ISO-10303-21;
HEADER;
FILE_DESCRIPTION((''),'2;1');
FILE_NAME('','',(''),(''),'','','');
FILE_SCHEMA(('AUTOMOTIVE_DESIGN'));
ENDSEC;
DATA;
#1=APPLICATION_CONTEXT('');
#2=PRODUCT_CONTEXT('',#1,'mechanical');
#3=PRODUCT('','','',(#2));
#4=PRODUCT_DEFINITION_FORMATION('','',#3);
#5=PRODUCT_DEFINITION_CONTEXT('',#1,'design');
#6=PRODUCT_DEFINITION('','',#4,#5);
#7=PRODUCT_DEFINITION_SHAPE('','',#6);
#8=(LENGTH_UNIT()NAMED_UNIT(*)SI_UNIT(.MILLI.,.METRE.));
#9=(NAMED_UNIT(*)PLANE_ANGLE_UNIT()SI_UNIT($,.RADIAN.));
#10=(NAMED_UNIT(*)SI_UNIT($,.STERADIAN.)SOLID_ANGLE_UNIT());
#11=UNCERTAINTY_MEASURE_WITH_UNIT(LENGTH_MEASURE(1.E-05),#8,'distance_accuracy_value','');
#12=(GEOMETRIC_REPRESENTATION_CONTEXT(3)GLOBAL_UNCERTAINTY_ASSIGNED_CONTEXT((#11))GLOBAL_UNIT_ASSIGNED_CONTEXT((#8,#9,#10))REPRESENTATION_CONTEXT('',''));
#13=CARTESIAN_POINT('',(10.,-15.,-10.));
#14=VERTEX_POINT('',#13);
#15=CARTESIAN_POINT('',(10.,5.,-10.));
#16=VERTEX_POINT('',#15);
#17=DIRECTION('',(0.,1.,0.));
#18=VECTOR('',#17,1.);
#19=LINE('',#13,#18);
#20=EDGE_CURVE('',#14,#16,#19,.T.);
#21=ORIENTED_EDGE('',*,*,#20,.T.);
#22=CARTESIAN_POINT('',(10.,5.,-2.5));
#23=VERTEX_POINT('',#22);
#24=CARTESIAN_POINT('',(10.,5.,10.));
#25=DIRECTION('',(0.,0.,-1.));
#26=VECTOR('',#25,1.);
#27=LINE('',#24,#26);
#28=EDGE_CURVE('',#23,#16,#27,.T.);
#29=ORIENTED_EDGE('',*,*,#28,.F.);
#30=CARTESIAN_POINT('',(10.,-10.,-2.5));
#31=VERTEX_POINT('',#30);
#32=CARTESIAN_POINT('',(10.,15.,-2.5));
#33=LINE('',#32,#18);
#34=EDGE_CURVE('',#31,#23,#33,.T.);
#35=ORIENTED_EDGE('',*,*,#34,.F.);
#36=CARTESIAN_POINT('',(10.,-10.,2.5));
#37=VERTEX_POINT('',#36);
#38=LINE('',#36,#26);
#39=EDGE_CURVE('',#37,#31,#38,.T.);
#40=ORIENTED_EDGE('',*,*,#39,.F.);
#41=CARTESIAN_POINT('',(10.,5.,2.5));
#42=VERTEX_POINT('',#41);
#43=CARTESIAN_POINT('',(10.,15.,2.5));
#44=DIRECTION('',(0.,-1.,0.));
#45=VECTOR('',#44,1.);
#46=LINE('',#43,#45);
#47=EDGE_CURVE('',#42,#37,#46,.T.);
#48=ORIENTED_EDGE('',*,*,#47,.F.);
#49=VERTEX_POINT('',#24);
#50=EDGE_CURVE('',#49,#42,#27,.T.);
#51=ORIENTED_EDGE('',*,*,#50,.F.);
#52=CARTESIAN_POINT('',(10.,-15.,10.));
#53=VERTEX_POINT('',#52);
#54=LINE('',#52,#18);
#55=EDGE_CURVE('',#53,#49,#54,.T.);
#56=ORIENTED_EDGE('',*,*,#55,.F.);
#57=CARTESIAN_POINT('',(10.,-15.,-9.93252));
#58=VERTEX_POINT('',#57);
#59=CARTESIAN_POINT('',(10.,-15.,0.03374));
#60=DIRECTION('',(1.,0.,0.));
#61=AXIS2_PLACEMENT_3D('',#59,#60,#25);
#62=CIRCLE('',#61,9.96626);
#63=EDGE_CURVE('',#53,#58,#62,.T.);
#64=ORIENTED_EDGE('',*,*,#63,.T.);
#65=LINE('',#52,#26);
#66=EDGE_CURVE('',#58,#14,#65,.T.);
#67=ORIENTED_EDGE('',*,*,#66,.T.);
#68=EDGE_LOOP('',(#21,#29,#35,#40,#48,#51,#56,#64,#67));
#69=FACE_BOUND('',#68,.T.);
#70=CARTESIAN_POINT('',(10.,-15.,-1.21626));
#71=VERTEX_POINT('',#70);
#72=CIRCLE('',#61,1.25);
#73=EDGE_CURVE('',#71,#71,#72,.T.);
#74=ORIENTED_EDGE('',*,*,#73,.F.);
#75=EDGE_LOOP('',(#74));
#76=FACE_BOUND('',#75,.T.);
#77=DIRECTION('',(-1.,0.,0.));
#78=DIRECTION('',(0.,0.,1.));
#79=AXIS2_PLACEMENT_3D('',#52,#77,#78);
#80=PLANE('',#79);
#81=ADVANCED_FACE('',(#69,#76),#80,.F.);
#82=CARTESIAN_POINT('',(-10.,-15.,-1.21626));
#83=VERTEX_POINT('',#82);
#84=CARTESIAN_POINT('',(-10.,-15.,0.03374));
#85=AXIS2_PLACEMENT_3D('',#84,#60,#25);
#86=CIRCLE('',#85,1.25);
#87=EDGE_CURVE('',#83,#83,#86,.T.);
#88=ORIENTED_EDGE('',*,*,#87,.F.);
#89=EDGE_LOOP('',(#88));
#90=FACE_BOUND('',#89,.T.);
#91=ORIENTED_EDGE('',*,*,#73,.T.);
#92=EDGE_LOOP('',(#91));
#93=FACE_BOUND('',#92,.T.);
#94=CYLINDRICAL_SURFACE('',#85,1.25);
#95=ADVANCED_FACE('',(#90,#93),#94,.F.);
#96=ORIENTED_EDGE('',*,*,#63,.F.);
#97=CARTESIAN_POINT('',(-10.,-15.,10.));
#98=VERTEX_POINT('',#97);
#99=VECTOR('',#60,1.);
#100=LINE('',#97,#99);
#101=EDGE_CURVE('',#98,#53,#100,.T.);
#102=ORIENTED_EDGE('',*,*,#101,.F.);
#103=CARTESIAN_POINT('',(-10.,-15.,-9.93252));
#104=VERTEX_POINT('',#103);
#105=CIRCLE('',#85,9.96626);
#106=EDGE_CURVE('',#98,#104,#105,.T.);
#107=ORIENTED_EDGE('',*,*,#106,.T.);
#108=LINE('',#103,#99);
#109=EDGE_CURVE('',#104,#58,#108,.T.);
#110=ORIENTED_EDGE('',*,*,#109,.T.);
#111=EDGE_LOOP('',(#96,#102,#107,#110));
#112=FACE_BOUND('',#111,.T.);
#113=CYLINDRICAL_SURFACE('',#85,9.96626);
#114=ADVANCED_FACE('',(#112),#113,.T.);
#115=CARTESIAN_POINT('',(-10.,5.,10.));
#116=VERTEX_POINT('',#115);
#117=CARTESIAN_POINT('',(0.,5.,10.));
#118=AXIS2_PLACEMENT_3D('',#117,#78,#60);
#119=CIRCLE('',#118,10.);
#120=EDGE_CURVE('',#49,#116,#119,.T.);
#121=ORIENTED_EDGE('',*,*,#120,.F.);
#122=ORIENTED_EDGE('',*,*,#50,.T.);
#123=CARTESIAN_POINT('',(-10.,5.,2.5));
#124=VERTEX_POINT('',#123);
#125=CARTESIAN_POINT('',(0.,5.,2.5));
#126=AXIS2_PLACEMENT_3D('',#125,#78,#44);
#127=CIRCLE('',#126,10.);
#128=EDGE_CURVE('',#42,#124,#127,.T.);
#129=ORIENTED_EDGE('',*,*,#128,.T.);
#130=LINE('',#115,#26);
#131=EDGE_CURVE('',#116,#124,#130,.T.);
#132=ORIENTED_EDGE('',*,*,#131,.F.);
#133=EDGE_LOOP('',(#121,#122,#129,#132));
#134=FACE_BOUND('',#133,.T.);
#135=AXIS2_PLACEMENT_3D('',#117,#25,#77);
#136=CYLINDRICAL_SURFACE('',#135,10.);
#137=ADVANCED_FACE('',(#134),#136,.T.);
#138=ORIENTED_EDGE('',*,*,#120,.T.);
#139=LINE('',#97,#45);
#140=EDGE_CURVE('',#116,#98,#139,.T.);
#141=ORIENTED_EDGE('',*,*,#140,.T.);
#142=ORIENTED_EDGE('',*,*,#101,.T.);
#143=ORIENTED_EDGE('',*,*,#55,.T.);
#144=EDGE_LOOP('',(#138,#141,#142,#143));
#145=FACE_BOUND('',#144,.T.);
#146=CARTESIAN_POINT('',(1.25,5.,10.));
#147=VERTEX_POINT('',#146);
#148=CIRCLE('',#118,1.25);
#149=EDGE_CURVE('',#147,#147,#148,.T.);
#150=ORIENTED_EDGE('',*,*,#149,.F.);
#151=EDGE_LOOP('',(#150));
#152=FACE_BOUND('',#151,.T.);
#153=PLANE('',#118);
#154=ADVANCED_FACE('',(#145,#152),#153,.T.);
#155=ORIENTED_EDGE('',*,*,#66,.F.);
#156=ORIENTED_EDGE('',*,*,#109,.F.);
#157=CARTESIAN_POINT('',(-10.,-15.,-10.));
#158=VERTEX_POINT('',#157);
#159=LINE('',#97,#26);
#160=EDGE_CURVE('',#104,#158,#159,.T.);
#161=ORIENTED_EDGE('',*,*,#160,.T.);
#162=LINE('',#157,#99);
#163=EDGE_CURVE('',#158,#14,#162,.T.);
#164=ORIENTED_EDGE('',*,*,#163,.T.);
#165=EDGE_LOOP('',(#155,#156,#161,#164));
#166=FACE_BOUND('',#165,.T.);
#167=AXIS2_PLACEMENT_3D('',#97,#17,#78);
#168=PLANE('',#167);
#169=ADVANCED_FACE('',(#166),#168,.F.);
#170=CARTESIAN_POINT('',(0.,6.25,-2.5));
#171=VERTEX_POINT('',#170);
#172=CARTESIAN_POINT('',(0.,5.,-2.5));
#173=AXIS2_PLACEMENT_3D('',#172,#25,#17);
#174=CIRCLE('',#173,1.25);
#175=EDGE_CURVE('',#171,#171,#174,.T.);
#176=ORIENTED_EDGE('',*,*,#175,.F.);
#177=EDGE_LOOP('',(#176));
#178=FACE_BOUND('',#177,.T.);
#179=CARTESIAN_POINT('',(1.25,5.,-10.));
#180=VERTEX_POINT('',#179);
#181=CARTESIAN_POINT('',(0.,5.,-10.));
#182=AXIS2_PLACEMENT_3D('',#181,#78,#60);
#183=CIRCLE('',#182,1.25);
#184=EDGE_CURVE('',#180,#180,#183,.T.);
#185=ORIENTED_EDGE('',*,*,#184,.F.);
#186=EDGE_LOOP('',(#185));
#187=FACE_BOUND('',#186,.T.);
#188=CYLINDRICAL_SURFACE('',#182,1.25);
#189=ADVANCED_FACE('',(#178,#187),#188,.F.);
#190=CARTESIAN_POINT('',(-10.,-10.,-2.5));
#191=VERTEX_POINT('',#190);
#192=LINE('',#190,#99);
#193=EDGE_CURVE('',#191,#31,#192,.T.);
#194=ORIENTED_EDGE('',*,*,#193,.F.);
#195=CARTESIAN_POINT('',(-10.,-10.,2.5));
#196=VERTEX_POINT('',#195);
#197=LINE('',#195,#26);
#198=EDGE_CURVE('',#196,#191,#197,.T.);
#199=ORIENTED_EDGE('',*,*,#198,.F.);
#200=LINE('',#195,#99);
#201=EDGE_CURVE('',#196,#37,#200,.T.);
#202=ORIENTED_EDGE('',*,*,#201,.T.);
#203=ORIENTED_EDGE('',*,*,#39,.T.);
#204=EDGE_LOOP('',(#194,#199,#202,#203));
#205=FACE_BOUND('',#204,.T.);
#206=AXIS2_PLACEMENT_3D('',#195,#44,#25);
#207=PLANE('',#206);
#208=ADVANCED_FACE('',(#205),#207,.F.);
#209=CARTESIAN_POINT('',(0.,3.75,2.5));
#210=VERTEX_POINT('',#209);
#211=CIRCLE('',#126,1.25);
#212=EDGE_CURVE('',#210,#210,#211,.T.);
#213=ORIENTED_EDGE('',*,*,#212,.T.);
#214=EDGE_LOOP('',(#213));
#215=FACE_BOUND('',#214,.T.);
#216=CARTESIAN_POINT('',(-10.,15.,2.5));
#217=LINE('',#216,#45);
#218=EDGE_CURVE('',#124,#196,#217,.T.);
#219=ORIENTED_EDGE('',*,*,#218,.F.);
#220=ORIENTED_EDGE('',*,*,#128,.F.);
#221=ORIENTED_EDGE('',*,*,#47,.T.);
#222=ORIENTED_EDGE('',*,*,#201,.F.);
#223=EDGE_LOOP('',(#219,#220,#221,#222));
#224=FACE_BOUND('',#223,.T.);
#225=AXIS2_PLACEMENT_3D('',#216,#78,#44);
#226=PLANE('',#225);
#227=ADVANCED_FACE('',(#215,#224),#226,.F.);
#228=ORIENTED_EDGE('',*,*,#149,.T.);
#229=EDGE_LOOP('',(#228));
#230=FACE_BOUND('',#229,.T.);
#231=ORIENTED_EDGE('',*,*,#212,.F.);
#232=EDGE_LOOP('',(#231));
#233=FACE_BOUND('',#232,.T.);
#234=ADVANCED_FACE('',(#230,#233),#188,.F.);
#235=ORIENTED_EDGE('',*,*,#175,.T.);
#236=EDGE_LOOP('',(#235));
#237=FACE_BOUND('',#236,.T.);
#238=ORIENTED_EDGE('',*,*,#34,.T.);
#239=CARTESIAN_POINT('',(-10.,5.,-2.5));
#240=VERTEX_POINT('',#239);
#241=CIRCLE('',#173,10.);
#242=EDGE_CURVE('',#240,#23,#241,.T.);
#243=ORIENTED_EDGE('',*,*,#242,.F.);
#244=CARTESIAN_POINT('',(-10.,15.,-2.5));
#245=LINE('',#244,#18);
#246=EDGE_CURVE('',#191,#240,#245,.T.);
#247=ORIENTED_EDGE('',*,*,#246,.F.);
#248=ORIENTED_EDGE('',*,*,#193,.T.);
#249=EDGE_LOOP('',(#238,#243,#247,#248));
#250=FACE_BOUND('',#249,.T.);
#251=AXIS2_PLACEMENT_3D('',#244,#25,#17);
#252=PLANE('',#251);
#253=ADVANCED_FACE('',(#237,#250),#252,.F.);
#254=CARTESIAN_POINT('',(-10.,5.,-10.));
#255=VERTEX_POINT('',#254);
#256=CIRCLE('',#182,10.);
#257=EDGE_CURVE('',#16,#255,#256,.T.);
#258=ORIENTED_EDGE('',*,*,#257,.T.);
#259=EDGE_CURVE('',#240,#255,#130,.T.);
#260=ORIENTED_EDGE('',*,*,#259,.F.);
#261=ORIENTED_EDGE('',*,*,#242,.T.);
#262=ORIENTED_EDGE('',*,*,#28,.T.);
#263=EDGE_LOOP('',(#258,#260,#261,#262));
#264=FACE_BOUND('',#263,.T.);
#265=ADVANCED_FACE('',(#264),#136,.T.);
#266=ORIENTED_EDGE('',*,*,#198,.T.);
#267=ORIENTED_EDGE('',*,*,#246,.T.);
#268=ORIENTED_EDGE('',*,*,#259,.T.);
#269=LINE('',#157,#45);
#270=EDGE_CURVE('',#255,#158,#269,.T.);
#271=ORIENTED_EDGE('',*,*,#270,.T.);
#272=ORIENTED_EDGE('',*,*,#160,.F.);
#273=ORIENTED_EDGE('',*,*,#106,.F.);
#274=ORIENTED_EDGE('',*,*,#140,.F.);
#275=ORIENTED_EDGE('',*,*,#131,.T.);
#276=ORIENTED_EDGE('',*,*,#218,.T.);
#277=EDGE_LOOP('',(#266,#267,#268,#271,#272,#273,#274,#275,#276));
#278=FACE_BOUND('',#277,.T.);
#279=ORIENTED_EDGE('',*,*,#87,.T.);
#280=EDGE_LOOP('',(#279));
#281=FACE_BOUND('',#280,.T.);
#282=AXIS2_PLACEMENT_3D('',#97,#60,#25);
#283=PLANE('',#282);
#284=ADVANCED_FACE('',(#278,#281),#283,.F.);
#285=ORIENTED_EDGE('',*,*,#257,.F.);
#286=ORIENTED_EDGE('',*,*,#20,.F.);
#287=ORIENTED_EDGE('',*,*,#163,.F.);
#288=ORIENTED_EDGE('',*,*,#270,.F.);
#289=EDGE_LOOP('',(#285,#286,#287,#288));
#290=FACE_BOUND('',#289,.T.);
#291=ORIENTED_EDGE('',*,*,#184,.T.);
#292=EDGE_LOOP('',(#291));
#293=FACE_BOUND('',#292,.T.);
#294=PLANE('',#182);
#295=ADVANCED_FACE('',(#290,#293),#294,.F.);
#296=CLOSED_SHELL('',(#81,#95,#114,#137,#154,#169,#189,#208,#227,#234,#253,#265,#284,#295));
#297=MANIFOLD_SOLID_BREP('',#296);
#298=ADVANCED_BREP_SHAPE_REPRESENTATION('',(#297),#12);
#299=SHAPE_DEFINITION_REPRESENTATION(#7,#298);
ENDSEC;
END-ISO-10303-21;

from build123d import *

# Parameters (mm, degrees)
BOSS_EXTRUDE1_DEPTH = 10
SKETCH2_W           = 5
SKETCH2_H           = 25
CUT_EXTRUDE1_DEPTH  = 10
SKETCH3_R           = 1.25
CUT_EXTRUDE2_DEPTH  = 27.925824036
BOSS_EXTRUDE3_DEPTH = 20
SKETCH7_R           = 1.25
CUT_EXTRUDE3_DEPTH  = 20


with BuildPart() as part:
    # Sketch1 → Boss-Extrude1 (new, symmetric)
    with BuildSketch(Plane.XY):
        with BuildLine():
            Line((-10, -15), (10, -15))
            Line((10, -15), (10, 5))
            ThreePointArc((10, 5), (0, 15), (-10, 5))
            Line((-10, 5), (-10, -15))
        make_face()
    extrude(amount=BOSS_EXTRUDE1_DEPTH, both=True)

    # Sketch2 → Cut-Extrude1 (cut, symmetric)
    with BuildSketch(Plane(origin=(0, 0, 0), x_dir=(0, 0, -1), z_dir=(1, 0, 0))):
        with Locations((0, 2.5)):
            Rectangle(SKETCH2_W, SKETCH2_H)
    extrude(amount=CUT_EXTRUDE1_DEPTH, both=True, mode=Mode.SUBTRACT)

    # Sketch3 → Cut-Extrude2 (cut, through all)
    with BuildSketch(Plane.XY.offset(10)):
        with Locations((0, 5)):
            Circle(SKETCH3_R)
    extrude(amount=-CUT_EXTRUDE2_DEPTH, mode=Mode.SUBTRACT)

    # Sketch6 → Boss-Extrude3 (add)
    with BuildSketch(Plane(origin=(10, 0, 0), x_dir=(0, 0, -1), z_dir=(1, 0, 0))):
        with BuildLine():
            Line((-10, -15), (9.932520062, -15))
            ThreePointArc((9.932520062, -15), (-0.033739969, -24.966260031), (-10, -15))
        make_face()
    extrude(amount=-BOSS_EXTRUDE3_DEPTH)

    # Sketch7 → Cut-Extrude3 (cut)
    with BuildSketch(Plane(origin=(10, 0, 0), x_dir=(0, 0, -1), z_dir=(1, 0, 0))):
        with Locations((-0.033739969, -15)):
            Circle(SKETCH7_R)
    extrude(amount=-CUT_EXTRUDE3_DEPTH, mode=Mode.SUBTRACT)


solid = part.part
